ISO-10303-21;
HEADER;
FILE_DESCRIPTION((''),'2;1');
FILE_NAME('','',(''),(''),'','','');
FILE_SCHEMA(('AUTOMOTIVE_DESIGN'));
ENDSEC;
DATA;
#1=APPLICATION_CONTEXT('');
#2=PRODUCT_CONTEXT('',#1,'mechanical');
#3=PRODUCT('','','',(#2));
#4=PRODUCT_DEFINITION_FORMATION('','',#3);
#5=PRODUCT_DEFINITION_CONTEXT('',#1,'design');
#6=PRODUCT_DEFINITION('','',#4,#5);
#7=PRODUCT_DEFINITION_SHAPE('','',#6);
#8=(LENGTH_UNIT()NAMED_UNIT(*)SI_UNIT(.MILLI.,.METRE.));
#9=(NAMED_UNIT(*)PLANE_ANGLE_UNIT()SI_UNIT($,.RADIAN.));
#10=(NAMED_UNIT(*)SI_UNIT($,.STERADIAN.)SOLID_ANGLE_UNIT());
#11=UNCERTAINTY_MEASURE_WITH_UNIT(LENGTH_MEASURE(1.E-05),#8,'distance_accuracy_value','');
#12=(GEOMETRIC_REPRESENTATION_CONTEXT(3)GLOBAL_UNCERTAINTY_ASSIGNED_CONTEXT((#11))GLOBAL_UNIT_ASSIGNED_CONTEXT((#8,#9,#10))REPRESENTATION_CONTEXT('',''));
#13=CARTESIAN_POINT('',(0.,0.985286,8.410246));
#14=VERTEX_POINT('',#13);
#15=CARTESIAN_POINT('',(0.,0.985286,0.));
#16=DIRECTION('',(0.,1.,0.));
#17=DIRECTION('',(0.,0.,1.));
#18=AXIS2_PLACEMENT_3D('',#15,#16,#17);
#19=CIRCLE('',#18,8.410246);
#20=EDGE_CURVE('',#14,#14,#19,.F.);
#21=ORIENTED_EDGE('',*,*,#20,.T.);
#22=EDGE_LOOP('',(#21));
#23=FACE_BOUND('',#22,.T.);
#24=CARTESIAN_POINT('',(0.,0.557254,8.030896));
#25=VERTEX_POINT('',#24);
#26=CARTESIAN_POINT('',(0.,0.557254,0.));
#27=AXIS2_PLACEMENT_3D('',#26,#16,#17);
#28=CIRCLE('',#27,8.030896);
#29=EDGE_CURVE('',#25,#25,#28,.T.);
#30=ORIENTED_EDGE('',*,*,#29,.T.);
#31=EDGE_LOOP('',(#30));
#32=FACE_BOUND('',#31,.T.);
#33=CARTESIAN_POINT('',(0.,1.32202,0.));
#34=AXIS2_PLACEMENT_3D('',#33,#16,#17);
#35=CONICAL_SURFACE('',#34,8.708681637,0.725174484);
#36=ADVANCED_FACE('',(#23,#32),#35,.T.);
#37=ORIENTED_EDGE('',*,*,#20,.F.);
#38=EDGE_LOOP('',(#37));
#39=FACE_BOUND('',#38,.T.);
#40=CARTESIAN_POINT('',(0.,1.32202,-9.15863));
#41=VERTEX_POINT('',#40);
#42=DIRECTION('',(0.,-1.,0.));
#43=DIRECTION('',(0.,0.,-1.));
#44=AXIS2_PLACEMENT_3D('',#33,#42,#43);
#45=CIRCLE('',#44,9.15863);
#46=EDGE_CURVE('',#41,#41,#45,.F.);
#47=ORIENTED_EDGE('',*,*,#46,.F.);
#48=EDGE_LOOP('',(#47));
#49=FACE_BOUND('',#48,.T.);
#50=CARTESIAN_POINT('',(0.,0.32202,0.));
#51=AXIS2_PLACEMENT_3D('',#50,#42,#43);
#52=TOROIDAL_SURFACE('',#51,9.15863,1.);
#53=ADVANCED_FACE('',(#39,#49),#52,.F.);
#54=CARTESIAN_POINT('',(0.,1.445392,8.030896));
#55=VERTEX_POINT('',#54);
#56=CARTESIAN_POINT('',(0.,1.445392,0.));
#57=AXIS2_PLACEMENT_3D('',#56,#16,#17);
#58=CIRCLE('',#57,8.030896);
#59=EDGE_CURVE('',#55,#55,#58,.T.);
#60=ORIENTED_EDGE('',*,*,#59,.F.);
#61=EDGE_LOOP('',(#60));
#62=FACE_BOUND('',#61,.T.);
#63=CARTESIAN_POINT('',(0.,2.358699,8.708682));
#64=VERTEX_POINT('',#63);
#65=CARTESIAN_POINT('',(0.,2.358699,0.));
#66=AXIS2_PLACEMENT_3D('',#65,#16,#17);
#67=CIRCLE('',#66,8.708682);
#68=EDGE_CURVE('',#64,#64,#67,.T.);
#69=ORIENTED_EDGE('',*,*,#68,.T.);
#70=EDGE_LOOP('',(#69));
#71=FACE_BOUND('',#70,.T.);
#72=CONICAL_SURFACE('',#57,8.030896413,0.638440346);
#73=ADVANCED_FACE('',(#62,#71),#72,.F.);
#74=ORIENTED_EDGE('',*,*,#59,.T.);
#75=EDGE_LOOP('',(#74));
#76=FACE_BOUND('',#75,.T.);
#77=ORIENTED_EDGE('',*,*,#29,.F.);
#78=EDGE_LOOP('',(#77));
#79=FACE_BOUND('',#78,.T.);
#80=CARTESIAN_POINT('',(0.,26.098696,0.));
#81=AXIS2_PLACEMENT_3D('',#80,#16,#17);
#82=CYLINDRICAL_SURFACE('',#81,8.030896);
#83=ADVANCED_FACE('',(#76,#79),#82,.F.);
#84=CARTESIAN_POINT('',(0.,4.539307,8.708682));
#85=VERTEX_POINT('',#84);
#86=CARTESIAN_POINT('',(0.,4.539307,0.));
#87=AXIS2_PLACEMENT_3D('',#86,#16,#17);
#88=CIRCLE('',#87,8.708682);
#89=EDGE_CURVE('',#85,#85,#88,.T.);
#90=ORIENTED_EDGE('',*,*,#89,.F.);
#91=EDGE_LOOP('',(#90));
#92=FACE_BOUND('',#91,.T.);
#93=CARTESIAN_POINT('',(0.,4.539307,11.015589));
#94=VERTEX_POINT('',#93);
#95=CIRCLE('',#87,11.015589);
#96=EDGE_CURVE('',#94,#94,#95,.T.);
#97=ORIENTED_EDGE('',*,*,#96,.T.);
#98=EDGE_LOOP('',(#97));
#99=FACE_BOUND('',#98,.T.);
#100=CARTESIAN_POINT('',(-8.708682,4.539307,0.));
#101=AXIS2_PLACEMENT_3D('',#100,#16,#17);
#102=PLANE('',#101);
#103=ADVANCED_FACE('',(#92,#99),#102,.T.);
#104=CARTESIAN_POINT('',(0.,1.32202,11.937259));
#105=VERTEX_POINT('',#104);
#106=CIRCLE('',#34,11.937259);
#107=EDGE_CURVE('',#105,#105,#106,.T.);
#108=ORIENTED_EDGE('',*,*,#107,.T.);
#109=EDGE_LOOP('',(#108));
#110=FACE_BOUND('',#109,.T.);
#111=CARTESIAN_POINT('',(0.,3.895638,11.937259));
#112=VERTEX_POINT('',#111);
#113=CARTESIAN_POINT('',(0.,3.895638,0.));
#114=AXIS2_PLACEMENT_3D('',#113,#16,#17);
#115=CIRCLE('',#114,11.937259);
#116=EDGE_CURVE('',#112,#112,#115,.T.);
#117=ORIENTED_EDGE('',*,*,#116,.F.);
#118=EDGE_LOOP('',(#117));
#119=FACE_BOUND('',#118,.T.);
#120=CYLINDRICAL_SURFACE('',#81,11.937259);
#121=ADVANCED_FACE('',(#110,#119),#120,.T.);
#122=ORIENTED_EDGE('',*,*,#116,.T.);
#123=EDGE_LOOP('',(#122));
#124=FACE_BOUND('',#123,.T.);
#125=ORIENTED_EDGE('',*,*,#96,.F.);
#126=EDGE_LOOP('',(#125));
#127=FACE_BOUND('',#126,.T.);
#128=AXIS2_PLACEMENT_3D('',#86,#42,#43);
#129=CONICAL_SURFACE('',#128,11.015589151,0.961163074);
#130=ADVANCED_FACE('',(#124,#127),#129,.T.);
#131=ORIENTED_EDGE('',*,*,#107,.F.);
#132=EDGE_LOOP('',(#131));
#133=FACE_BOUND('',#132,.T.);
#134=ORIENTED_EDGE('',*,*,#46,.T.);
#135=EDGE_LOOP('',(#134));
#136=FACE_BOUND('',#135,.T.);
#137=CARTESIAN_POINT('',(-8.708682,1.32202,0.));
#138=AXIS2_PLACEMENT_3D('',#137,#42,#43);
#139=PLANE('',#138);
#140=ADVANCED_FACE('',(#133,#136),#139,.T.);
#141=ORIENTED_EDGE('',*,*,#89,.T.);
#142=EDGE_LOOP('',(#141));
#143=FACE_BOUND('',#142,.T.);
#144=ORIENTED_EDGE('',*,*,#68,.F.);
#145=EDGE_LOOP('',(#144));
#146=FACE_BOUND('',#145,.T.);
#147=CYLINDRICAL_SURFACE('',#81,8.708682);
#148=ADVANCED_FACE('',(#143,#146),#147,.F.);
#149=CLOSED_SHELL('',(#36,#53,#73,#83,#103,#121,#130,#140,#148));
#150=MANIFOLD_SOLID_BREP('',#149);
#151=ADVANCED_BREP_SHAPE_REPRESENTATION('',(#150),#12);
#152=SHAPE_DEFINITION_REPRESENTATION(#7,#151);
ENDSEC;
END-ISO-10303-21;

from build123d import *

# Parameters (mm, degrees)
REDONDEO1_R = 1


with BuildPart() as part:
    # Croquis1 → Revolución1 (revolve)
    with BuildSketch(Plane.XY, mode=Mode.PRIVATE) as revoluci_n1_sk:
        Polygon((-8.030896413, 0.557253855), (-8.030896413, 1.445392264), (-8.708681637, 2.358698791), (-8.708681637, 4.539307424), (-11.015589151, 4.539307424), (-11.937259367, 3.895637734), (-11.937259367, 1.322020013), (-8.708681637, 1.322020013), align=None)
    revolve(revoluci_n1_sk.sketch.rotate(Axis((0, 26.098695966, 0), (0, -1, 0)), 270), axis=Axis((0, 26.098695966, 0), (0, -1, 0)))

    # Redondeo1
    redondeo1_edges = [part.edges().sort_by_distance(p)[0] for p in [
        (0, 1.322020013, -8.708681637),
    ]]
    fillet(redondeo1_edges, radius=REDONDEO1_R)


solid = part.part
